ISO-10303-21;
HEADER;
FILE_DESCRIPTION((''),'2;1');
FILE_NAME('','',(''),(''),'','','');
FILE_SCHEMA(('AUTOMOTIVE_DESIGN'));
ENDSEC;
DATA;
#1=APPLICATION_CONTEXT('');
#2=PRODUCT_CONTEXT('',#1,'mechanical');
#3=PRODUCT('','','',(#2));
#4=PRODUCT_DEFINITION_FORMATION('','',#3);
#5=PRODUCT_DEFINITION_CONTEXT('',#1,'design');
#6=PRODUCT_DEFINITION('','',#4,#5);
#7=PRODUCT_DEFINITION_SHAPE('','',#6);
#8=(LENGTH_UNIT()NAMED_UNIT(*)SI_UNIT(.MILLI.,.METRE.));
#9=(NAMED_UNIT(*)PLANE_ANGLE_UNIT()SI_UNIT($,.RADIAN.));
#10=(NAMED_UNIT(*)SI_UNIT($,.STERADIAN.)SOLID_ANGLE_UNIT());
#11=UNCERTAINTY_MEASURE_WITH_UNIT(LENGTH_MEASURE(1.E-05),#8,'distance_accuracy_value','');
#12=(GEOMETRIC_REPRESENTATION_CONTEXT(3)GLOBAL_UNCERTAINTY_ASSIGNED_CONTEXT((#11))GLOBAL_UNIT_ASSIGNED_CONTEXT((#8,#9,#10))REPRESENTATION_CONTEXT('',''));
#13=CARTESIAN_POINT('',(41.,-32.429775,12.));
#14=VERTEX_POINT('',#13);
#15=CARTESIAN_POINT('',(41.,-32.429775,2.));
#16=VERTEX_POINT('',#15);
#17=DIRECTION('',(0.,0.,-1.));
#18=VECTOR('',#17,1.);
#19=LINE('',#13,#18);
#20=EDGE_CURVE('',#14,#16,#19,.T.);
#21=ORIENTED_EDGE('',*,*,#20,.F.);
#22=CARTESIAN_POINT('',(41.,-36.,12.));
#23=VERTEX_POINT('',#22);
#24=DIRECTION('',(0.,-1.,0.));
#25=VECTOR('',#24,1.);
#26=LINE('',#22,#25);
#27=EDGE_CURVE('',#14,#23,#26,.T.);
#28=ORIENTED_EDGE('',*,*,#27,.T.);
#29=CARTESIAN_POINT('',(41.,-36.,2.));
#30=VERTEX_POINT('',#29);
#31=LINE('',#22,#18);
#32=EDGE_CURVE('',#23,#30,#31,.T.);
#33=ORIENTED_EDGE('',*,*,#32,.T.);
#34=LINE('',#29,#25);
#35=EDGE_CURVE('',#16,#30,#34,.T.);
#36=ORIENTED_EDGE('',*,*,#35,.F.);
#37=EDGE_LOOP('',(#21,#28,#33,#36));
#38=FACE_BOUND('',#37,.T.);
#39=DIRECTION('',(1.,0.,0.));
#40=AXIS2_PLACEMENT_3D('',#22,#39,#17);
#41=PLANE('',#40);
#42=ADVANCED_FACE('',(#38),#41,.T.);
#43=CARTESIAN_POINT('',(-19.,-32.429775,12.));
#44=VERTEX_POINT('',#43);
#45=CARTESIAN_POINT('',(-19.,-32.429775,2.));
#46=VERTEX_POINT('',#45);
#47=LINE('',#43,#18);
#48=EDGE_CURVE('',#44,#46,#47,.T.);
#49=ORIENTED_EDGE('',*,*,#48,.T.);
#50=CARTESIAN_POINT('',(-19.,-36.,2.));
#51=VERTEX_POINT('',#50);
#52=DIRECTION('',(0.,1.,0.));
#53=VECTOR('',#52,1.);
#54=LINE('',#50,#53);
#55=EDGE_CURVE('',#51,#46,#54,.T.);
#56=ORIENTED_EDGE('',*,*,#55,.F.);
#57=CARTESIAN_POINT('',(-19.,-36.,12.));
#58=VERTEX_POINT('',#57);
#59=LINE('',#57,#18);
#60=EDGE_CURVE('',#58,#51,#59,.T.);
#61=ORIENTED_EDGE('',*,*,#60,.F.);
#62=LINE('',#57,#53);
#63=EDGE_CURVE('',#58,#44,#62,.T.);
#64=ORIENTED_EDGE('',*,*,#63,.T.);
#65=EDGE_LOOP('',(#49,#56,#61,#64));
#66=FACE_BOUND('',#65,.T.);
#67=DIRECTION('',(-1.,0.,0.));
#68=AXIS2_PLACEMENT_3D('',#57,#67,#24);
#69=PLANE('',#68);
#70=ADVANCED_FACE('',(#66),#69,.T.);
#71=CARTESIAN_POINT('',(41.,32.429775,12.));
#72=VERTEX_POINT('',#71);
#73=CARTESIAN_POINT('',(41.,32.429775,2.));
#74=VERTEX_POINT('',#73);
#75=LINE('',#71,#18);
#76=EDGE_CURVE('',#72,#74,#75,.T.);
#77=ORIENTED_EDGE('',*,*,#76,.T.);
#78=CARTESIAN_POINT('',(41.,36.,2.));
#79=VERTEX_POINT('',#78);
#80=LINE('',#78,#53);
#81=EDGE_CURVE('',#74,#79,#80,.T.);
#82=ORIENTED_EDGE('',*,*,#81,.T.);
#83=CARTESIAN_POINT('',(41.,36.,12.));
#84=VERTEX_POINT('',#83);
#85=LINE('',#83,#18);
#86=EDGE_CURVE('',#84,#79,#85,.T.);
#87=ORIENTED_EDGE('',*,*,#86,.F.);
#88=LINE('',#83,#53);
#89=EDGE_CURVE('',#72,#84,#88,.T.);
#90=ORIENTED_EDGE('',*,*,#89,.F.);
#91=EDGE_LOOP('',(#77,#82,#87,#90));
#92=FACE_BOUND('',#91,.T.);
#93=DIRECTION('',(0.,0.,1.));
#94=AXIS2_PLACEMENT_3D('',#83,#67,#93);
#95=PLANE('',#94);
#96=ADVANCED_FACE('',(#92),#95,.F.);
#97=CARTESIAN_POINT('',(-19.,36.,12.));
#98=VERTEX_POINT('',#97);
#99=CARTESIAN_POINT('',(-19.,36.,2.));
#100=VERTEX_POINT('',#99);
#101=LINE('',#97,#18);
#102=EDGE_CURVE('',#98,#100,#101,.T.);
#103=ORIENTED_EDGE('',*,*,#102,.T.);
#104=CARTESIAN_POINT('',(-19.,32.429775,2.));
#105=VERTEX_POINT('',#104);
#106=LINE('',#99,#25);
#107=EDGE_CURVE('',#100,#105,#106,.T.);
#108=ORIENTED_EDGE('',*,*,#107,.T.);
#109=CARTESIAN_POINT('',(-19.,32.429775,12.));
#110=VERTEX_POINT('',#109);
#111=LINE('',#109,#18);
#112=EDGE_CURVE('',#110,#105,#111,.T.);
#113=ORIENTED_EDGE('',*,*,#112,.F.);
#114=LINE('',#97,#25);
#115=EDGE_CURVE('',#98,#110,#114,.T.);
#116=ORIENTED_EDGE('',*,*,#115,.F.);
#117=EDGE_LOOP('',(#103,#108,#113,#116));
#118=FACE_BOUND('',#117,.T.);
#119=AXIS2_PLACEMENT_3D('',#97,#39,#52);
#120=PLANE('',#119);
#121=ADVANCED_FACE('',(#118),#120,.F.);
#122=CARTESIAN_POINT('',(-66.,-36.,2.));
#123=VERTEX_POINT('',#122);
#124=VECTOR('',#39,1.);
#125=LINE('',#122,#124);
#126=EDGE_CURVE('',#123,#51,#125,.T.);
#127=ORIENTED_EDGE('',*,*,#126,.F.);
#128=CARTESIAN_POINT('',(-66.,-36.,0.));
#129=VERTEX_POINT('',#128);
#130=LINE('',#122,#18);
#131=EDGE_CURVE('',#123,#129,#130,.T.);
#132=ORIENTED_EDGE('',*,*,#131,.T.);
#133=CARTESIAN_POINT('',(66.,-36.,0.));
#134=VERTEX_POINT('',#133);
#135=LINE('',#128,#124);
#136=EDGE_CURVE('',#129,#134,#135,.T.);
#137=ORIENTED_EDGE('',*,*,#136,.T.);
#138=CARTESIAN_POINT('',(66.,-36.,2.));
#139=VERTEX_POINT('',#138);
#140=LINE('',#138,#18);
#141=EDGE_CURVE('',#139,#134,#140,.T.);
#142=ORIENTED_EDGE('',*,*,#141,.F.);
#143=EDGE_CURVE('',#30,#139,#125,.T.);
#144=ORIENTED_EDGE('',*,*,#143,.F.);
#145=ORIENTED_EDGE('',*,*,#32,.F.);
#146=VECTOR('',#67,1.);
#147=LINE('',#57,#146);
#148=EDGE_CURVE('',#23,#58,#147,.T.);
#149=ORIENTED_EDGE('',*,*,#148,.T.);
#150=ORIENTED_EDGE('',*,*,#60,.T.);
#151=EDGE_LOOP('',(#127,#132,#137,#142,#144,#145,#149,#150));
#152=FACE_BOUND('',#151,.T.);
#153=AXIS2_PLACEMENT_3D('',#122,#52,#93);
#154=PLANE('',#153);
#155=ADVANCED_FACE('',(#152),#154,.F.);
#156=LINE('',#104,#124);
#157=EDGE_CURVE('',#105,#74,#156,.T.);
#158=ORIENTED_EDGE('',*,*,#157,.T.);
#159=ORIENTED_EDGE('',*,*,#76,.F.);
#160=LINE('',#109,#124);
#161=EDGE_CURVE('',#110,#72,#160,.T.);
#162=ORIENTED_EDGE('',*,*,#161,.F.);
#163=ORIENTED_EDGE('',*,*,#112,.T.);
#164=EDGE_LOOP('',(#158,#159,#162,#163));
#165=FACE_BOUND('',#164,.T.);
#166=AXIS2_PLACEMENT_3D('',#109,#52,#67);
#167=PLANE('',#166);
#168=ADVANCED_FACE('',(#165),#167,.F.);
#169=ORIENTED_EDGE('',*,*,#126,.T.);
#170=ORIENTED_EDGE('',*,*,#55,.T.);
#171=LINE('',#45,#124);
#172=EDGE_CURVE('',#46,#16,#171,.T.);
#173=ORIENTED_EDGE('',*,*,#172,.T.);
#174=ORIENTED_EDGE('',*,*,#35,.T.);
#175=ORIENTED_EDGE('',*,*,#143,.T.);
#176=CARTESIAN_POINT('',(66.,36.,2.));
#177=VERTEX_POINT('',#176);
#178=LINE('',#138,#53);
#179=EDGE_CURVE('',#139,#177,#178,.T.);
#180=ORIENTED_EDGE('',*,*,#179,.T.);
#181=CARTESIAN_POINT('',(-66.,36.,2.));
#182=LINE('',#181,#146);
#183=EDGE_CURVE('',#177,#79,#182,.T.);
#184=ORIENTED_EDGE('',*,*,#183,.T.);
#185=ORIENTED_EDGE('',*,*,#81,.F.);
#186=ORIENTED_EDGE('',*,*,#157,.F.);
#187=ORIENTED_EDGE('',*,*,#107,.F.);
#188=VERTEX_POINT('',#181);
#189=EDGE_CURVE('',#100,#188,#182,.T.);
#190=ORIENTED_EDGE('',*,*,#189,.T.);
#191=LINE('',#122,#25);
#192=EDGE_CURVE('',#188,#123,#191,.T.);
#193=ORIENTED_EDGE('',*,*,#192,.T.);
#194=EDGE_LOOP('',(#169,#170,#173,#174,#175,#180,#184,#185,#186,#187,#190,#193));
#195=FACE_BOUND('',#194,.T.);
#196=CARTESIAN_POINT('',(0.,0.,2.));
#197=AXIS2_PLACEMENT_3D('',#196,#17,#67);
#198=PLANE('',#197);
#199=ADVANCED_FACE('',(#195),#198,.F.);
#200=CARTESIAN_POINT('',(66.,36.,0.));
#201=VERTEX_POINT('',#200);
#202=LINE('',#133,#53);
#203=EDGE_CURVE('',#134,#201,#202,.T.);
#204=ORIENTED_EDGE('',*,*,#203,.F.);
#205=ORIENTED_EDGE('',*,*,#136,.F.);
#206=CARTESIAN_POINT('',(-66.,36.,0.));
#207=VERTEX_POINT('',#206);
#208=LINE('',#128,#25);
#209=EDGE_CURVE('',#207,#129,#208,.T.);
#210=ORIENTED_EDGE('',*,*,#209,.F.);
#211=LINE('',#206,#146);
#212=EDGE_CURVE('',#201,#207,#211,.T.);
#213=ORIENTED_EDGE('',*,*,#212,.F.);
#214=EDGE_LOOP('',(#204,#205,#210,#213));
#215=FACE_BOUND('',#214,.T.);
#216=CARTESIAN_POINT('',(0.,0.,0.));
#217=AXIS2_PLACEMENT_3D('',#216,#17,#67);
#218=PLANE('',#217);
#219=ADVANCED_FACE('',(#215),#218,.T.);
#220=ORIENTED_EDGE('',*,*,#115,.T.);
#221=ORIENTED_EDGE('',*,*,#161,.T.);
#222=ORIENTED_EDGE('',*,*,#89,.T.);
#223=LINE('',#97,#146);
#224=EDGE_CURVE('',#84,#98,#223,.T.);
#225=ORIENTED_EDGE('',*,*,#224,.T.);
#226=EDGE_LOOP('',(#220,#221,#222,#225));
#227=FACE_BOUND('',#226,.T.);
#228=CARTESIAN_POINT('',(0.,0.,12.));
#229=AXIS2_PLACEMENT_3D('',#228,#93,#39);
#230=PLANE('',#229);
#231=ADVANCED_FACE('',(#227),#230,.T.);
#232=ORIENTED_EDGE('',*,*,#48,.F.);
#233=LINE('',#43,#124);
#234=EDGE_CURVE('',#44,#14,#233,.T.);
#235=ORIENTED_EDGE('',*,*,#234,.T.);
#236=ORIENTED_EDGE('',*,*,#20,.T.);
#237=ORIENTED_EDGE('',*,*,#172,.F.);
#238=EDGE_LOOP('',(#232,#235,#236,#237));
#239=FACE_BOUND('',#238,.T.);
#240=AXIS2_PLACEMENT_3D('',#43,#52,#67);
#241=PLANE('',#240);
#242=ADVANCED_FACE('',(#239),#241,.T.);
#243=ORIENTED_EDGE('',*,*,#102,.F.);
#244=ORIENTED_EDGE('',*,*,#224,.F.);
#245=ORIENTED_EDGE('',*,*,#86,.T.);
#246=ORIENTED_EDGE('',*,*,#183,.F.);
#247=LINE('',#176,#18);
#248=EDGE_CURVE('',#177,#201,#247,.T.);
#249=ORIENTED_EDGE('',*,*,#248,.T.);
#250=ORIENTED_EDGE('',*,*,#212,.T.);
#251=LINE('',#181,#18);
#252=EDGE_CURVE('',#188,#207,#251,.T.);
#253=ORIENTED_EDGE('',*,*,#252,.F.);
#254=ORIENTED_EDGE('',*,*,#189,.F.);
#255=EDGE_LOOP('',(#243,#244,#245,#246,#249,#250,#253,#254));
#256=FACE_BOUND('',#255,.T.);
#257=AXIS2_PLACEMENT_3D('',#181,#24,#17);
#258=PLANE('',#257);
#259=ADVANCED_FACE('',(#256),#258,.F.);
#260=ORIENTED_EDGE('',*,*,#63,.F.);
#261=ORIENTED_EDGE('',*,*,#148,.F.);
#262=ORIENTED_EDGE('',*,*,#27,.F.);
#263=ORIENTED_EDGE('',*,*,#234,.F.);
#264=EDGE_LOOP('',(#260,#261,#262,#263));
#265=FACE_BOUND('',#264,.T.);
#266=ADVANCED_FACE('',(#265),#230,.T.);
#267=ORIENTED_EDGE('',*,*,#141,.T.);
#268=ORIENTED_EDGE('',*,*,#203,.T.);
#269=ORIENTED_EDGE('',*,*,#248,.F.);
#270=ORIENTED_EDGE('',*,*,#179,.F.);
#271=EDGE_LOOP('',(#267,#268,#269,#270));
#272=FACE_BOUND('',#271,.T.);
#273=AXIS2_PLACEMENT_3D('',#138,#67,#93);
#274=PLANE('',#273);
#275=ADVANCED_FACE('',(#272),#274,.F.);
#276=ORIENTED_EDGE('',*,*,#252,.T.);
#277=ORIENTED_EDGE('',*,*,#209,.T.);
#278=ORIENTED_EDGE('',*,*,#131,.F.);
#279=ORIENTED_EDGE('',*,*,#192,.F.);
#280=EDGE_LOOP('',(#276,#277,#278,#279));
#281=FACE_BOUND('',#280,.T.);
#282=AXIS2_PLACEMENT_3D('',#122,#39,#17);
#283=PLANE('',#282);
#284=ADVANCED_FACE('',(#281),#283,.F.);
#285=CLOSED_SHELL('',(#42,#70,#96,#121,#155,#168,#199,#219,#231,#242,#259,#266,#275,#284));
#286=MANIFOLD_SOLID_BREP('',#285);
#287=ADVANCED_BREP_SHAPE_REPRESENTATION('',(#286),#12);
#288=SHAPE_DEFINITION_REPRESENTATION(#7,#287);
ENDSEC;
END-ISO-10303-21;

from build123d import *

# Parameters (mm, degrees)
SKETCH1_W           = 132
SKETCH1_H           = 72
BOSS_EXTRUDE1_DEPTH = 2
SKETCH2_W           = 60
SKETCH2_H           = 3.570225369
BOSS_EXTRUDE2_DEPTH = 10


with BuildPart() as part:
    # Sketch1 → Boss-Extrude1 (new body)
    with BuildSketch(Plane.XY):
        Rectangle(SKETCH1_W, SKETCH1_H)
    extrude(amount=BOSS_EXTRUDE1_DEPTH)

    # Sketch2 → Boss-Extrude2 (add)
    with BuildSketch(Plane.XY.offset(2)):
        with Locations((11, 34.214887316)):
            Rectangle(SKETCH2_W, SKETCH2_H)
    boss_extrude2 = extrude(amount=BOSS_EXTRUDE2_DEPTH)

    # Mirror1: Boss-Extrude2 across plane
    add(boss_extrude2.mirror(Plane.ZX))


solid = part.part
